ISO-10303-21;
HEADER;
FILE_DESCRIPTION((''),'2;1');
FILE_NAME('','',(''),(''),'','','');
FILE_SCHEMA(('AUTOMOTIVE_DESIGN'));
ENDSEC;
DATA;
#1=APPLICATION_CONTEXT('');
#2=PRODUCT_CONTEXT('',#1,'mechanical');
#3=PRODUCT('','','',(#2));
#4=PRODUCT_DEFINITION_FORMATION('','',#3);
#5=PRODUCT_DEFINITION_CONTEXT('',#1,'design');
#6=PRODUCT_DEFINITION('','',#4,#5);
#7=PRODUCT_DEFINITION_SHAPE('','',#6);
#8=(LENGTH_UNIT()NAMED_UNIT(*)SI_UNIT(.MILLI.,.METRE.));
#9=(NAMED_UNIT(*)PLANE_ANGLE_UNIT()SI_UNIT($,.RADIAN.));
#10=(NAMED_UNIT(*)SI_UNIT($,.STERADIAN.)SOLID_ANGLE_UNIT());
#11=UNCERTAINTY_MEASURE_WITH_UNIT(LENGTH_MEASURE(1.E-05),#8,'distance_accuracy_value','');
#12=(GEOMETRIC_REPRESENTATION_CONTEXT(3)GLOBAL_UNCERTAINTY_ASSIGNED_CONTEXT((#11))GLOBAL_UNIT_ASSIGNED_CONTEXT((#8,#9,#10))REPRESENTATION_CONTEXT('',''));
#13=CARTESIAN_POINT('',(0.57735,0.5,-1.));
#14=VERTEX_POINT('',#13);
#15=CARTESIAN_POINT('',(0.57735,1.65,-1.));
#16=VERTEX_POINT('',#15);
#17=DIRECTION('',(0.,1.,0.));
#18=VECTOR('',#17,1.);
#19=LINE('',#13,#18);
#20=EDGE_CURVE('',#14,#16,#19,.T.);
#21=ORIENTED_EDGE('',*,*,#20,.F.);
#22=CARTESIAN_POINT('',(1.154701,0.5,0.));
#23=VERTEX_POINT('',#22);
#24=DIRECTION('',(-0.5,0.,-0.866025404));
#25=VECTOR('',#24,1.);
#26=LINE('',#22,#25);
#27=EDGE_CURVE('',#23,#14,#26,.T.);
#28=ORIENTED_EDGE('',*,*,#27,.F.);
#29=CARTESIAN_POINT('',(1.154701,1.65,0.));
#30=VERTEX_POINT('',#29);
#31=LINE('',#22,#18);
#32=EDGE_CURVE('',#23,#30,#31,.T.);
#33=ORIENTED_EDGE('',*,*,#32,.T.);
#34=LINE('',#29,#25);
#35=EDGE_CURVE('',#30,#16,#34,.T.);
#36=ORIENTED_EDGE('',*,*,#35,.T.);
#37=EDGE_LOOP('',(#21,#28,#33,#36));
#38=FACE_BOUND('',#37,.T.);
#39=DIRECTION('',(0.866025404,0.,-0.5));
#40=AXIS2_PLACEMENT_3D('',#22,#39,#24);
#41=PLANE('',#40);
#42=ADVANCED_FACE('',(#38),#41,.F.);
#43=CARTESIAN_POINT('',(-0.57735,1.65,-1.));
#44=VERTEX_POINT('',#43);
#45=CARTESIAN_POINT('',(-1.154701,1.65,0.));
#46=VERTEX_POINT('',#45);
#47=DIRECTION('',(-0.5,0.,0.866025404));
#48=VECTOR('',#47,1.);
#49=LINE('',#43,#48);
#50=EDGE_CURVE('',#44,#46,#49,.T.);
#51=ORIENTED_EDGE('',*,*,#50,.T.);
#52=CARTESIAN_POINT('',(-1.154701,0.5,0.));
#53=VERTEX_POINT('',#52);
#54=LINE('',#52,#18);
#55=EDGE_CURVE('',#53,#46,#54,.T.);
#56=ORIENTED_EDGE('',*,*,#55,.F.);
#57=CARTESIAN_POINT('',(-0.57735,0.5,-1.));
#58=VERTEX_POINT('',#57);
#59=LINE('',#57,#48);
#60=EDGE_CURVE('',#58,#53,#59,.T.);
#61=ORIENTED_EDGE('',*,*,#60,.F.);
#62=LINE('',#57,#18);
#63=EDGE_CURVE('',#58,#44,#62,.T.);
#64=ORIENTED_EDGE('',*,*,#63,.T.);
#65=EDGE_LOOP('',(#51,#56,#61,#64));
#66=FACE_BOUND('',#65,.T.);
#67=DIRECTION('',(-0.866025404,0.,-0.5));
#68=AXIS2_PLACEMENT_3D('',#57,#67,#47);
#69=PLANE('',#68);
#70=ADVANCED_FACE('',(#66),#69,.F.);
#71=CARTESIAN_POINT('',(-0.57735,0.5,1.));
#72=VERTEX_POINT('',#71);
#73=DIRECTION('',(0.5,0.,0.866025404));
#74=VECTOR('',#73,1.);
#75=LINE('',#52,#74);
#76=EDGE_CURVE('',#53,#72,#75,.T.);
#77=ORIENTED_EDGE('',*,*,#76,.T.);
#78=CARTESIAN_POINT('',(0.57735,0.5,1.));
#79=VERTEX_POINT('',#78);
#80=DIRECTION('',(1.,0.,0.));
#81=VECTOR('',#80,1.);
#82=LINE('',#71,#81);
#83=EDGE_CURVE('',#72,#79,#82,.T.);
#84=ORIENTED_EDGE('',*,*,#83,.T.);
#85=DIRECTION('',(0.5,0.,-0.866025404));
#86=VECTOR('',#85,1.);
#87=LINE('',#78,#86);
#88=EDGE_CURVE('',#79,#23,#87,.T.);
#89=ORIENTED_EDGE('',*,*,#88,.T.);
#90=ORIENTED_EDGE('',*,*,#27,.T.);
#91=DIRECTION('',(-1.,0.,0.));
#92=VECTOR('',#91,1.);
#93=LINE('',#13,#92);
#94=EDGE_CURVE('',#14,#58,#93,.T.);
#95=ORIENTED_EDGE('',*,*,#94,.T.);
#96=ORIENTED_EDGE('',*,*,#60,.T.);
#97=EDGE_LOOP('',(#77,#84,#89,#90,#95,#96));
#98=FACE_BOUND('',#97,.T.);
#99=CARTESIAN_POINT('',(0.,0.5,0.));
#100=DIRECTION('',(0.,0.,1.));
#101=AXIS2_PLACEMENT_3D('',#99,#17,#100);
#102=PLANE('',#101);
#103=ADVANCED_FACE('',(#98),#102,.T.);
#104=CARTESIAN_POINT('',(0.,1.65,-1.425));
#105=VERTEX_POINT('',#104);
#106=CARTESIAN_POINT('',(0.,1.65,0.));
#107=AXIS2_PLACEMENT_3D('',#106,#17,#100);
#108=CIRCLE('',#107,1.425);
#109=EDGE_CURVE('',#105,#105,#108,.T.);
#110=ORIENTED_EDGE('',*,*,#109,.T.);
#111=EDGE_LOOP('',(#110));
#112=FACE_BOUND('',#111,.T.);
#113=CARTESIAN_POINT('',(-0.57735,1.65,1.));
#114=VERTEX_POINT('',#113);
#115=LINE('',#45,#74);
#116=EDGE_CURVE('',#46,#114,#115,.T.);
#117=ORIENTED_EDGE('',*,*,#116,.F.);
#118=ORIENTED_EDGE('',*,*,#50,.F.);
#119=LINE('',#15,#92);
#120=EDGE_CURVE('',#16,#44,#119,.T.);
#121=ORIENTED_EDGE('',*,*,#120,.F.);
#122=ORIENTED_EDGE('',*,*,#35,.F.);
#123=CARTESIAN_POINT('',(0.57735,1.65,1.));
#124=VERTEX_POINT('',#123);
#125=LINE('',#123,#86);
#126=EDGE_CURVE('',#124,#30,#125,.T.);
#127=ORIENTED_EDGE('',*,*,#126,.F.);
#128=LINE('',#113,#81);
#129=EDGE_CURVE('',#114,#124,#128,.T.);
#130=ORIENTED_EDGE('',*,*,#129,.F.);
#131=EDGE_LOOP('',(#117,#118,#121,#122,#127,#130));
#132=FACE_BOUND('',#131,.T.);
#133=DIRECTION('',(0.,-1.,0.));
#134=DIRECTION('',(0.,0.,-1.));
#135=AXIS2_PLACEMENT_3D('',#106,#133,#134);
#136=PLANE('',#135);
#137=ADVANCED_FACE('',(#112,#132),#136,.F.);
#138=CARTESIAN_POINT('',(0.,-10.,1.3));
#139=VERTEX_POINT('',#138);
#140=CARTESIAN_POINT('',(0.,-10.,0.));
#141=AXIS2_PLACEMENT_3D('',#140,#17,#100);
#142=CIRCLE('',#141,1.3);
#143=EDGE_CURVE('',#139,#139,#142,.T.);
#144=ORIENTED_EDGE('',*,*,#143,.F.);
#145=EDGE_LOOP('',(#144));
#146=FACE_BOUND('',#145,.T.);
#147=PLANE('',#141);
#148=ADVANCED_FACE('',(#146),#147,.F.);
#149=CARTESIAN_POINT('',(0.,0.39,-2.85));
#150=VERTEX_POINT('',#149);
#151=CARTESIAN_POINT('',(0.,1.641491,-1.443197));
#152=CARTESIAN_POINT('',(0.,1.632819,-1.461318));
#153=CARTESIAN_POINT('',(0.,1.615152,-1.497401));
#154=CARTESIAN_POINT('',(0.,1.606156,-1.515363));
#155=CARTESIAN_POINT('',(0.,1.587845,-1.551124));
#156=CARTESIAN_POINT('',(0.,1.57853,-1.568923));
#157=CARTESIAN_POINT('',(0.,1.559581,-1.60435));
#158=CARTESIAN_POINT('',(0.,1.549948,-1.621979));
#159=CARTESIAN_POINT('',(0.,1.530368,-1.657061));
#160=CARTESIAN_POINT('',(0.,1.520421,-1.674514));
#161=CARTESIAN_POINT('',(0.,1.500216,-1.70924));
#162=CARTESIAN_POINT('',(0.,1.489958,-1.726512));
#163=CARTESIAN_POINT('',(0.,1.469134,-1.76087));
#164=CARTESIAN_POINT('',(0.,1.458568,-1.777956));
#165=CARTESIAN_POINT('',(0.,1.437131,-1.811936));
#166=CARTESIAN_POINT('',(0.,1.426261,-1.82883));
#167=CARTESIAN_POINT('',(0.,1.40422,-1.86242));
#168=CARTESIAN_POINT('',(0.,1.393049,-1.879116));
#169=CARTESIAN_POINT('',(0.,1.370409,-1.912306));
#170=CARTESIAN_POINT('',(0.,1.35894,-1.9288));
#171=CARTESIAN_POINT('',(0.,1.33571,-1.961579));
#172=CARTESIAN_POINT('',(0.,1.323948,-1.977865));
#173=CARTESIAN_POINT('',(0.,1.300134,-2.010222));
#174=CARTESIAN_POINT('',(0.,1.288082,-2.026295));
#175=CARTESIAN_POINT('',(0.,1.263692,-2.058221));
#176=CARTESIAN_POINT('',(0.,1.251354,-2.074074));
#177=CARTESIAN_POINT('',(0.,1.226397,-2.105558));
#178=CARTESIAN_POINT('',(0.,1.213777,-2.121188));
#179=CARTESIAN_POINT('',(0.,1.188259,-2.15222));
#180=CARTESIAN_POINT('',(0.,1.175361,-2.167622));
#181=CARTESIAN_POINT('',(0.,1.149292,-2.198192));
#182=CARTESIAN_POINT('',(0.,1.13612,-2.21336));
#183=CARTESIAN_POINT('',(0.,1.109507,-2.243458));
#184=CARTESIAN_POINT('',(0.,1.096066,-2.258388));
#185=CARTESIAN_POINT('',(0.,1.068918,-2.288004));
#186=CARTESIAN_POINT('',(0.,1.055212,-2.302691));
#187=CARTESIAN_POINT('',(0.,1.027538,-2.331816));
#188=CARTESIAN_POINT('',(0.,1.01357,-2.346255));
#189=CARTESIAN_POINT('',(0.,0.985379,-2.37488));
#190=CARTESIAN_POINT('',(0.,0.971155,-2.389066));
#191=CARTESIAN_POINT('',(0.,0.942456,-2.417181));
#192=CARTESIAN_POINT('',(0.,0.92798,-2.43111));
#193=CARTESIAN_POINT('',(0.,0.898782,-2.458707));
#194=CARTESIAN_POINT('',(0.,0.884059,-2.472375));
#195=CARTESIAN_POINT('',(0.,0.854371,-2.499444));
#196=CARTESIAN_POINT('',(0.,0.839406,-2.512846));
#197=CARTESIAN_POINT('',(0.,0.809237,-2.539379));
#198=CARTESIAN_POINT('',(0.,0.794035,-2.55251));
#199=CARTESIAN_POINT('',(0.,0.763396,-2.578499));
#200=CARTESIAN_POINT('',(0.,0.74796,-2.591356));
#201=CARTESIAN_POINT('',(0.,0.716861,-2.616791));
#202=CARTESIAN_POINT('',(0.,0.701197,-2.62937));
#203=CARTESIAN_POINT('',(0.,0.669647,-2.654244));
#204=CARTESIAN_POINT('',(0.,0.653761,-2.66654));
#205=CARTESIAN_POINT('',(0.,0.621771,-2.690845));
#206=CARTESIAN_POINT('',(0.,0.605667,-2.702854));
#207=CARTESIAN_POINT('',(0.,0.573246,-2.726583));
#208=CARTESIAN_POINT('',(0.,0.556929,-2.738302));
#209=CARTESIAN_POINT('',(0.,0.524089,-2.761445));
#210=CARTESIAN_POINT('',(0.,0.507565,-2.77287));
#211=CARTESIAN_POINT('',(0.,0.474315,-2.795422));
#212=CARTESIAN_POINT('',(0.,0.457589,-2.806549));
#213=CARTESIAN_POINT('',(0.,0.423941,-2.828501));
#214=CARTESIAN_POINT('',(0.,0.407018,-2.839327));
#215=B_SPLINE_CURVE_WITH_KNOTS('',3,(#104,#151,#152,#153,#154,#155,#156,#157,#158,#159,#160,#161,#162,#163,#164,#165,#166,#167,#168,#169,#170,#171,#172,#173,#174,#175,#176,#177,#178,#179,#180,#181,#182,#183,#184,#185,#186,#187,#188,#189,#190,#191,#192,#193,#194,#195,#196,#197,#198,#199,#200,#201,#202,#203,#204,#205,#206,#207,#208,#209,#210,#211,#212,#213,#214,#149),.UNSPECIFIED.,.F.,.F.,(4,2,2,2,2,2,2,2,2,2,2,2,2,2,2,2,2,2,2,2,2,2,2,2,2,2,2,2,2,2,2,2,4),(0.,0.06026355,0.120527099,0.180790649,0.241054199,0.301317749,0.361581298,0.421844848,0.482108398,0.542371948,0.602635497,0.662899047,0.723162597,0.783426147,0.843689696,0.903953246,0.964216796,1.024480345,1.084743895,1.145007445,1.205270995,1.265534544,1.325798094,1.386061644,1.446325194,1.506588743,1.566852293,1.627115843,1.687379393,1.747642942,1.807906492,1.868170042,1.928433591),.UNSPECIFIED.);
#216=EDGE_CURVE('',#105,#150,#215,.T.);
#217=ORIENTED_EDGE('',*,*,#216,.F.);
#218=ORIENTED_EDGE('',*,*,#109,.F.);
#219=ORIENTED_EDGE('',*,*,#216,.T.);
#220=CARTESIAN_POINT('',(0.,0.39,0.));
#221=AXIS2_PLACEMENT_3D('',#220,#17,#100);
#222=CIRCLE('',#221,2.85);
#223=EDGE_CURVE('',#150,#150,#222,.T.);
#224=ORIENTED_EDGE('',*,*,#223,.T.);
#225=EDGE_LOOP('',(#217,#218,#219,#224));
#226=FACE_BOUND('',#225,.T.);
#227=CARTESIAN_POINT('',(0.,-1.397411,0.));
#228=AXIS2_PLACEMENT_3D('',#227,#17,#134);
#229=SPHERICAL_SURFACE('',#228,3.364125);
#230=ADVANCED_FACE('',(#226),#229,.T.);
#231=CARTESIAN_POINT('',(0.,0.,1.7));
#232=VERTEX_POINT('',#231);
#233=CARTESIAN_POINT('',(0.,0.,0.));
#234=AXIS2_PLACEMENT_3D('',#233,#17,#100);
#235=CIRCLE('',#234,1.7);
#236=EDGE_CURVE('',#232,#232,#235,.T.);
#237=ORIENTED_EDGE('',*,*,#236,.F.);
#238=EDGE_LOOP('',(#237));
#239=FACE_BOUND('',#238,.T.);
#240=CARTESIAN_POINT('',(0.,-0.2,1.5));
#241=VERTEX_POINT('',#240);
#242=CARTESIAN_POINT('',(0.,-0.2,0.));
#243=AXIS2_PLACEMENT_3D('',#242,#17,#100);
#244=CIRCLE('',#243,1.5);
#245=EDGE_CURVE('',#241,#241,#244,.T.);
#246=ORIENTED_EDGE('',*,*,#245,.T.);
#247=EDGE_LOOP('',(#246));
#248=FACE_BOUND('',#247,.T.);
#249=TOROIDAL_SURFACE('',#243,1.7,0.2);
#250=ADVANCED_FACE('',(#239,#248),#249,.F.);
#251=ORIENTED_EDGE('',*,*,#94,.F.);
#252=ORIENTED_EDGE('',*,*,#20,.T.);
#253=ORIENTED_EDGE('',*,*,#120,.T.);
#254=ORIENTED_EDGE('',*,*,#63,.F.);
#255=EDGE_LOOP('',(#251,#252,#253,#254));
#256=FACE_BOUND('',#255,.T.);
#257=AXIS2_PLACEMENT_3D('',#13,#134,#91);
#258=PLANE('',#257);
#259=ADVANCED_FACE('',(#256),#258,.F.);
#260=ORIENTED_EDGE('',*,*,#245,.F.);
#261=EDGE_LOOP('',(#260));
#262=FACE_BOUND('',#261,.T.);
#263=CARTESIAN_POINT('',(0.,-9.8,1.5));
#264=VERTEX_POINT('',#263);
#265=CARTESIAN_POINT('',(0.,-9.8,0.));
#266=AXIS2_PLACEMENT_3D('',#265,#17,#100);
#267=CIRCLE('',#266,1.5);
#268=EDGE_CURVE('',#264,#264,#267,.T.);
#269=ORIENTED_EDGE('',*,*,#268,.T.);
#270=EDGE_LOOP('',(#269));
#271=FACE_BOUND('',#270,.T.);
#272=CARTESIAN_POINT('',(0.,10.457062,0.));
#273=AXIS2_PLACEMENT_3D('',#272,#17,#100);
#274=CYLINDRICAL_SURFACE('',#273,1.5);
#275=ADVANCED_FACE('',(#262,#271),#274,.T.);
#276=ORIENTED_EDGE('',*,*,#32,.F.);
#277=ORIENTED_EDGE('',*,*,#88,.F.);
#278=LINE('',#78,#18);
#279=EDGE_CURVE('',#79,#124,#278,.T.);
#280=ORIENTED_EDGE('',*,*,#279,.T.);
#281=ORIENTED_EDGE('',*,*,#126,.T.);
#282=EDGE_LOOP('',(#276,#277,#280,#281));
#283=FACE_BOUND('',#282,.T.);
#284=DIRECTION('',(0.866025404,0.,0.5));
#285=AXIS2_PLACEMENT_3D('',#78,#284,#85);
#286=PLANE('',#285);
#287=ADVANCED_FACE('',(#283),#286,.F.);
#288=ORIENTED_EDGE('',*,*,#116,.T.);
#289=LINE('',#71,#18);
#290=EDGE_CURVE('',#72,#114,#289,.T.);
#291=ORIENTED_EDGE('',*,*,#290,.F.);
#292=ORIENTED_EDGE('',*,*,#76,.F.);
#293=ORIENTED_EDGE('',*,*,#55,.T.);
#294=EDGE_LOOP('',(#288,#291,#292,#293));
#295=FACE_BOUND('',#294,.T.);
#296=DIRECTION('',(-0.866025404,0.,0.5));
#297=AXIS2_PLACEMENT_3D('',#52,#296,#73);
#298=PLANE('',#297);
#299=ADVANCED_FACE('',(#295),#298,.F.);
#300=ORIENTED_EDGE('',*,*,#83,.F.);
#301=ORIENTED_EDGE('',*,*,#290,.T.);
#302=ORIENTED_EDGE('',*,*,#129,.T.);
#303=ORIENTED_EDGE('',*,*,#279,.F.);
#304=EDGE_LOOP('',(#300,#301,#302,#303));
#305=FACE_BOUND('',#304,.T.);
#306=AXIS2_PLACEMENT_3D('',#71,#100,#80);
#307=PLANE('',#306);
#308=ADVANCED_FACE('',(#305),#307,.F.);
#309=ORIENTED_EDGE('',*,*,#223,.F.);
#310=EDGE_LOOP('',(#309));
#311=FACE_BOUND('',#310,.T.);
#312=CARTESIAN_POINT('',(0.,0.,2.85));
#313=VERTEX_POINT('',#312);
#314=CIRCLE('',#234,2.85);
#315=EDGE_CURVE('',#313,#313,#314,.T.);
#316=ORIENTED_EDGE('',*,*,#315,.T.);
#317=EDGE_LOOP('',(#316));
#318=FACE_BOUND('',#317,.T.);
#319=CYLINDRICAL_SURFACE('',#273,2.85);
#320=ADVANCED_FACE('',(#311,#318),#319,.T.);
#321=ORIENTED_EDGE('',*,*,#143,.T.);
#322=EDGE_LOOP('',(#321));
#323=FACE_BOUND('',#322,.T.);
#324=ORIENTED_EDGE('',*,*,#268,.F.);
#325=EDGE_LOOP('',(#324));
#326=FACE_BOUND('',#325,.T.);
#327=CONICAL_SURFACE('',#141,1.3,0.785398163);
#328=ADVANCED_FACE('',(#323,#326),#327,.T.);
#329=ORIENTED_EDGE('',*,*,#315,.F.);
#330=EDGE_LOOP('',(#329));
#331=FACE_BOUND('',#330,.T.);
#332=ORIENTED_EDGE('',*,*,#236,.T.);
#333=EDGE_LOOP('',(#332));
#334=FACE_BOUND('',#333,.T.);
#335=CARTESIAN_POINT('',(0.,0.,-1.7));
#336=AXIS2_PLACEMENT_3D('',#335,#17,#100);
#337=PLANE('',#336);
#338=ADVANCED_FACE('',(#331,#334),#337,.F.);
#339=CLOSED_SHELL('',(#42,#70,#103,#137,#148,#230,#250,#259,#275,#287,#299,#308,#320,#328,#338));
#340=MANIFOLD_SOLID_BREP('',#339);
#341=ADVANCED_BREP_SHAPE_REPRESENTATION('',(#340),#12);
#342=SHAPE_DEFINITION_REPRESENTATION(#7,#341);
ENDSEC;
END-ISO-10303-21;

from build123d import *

# Parameters (mm, degrees)
CUT_EXTRUDE1_DEPTH = 1.15


with BuildPart() as part:
    # Sketch1 → Revolve1 (revolve)
    with BuildSketch(Plane(origin=(0, 0, 0), x_dir=(0, 0, -1), z_dir=(1, 0, 0)), mode=Mode.PRIVATE) as revolve1_sk:
        with BuildLine():
            Line((0, 1.65), (0, -10))
            Line((0, -10), (1.3, -10))
            Line((1.3, -10), (1.5, -9.8))
            Line((1.5, -9.8), (1.5, -0.2))
            ThreePointArc((1.5, -0.2), (1.558578644, -0.058578644), (1.7, 0))
            Line((1.7, 0), (2.85, 0))
            Line((2.85, 0), (2.85, 0.39))
            ThreePointArc((2.85, 0.39), (2.228408905, 1.122813643), (1.425, 1.65))
            Line((1.425, 1.65), (0, 1.65))
        make_face()
    revolve(revolve1_sk.sketch.rotate(Axis((0, 10.457062495, 0), (0, -1, 0)), 180), axis=Axis((0, 10.457062495, 0), (0, -1, 0)))

    # Sketch2 → Cut-Extrude1 (cut)
    with BuildSketch(Plane(origin=(0, 1.65, 0), x_dir=(1, 0, 0), z_dir=(0, 1, 0))):
        Polygon((0.577350269, -1), (1.154700538, 0), (0.577350269, 1), (-0.577350269, 1), (-1.154700538, 0), (-0.577350269, -1), align=None)
    extrude(amount=-CUT_EXTRUDE1_DEPTH, mode=Mode.SUBTRACT)


solid = part.part
